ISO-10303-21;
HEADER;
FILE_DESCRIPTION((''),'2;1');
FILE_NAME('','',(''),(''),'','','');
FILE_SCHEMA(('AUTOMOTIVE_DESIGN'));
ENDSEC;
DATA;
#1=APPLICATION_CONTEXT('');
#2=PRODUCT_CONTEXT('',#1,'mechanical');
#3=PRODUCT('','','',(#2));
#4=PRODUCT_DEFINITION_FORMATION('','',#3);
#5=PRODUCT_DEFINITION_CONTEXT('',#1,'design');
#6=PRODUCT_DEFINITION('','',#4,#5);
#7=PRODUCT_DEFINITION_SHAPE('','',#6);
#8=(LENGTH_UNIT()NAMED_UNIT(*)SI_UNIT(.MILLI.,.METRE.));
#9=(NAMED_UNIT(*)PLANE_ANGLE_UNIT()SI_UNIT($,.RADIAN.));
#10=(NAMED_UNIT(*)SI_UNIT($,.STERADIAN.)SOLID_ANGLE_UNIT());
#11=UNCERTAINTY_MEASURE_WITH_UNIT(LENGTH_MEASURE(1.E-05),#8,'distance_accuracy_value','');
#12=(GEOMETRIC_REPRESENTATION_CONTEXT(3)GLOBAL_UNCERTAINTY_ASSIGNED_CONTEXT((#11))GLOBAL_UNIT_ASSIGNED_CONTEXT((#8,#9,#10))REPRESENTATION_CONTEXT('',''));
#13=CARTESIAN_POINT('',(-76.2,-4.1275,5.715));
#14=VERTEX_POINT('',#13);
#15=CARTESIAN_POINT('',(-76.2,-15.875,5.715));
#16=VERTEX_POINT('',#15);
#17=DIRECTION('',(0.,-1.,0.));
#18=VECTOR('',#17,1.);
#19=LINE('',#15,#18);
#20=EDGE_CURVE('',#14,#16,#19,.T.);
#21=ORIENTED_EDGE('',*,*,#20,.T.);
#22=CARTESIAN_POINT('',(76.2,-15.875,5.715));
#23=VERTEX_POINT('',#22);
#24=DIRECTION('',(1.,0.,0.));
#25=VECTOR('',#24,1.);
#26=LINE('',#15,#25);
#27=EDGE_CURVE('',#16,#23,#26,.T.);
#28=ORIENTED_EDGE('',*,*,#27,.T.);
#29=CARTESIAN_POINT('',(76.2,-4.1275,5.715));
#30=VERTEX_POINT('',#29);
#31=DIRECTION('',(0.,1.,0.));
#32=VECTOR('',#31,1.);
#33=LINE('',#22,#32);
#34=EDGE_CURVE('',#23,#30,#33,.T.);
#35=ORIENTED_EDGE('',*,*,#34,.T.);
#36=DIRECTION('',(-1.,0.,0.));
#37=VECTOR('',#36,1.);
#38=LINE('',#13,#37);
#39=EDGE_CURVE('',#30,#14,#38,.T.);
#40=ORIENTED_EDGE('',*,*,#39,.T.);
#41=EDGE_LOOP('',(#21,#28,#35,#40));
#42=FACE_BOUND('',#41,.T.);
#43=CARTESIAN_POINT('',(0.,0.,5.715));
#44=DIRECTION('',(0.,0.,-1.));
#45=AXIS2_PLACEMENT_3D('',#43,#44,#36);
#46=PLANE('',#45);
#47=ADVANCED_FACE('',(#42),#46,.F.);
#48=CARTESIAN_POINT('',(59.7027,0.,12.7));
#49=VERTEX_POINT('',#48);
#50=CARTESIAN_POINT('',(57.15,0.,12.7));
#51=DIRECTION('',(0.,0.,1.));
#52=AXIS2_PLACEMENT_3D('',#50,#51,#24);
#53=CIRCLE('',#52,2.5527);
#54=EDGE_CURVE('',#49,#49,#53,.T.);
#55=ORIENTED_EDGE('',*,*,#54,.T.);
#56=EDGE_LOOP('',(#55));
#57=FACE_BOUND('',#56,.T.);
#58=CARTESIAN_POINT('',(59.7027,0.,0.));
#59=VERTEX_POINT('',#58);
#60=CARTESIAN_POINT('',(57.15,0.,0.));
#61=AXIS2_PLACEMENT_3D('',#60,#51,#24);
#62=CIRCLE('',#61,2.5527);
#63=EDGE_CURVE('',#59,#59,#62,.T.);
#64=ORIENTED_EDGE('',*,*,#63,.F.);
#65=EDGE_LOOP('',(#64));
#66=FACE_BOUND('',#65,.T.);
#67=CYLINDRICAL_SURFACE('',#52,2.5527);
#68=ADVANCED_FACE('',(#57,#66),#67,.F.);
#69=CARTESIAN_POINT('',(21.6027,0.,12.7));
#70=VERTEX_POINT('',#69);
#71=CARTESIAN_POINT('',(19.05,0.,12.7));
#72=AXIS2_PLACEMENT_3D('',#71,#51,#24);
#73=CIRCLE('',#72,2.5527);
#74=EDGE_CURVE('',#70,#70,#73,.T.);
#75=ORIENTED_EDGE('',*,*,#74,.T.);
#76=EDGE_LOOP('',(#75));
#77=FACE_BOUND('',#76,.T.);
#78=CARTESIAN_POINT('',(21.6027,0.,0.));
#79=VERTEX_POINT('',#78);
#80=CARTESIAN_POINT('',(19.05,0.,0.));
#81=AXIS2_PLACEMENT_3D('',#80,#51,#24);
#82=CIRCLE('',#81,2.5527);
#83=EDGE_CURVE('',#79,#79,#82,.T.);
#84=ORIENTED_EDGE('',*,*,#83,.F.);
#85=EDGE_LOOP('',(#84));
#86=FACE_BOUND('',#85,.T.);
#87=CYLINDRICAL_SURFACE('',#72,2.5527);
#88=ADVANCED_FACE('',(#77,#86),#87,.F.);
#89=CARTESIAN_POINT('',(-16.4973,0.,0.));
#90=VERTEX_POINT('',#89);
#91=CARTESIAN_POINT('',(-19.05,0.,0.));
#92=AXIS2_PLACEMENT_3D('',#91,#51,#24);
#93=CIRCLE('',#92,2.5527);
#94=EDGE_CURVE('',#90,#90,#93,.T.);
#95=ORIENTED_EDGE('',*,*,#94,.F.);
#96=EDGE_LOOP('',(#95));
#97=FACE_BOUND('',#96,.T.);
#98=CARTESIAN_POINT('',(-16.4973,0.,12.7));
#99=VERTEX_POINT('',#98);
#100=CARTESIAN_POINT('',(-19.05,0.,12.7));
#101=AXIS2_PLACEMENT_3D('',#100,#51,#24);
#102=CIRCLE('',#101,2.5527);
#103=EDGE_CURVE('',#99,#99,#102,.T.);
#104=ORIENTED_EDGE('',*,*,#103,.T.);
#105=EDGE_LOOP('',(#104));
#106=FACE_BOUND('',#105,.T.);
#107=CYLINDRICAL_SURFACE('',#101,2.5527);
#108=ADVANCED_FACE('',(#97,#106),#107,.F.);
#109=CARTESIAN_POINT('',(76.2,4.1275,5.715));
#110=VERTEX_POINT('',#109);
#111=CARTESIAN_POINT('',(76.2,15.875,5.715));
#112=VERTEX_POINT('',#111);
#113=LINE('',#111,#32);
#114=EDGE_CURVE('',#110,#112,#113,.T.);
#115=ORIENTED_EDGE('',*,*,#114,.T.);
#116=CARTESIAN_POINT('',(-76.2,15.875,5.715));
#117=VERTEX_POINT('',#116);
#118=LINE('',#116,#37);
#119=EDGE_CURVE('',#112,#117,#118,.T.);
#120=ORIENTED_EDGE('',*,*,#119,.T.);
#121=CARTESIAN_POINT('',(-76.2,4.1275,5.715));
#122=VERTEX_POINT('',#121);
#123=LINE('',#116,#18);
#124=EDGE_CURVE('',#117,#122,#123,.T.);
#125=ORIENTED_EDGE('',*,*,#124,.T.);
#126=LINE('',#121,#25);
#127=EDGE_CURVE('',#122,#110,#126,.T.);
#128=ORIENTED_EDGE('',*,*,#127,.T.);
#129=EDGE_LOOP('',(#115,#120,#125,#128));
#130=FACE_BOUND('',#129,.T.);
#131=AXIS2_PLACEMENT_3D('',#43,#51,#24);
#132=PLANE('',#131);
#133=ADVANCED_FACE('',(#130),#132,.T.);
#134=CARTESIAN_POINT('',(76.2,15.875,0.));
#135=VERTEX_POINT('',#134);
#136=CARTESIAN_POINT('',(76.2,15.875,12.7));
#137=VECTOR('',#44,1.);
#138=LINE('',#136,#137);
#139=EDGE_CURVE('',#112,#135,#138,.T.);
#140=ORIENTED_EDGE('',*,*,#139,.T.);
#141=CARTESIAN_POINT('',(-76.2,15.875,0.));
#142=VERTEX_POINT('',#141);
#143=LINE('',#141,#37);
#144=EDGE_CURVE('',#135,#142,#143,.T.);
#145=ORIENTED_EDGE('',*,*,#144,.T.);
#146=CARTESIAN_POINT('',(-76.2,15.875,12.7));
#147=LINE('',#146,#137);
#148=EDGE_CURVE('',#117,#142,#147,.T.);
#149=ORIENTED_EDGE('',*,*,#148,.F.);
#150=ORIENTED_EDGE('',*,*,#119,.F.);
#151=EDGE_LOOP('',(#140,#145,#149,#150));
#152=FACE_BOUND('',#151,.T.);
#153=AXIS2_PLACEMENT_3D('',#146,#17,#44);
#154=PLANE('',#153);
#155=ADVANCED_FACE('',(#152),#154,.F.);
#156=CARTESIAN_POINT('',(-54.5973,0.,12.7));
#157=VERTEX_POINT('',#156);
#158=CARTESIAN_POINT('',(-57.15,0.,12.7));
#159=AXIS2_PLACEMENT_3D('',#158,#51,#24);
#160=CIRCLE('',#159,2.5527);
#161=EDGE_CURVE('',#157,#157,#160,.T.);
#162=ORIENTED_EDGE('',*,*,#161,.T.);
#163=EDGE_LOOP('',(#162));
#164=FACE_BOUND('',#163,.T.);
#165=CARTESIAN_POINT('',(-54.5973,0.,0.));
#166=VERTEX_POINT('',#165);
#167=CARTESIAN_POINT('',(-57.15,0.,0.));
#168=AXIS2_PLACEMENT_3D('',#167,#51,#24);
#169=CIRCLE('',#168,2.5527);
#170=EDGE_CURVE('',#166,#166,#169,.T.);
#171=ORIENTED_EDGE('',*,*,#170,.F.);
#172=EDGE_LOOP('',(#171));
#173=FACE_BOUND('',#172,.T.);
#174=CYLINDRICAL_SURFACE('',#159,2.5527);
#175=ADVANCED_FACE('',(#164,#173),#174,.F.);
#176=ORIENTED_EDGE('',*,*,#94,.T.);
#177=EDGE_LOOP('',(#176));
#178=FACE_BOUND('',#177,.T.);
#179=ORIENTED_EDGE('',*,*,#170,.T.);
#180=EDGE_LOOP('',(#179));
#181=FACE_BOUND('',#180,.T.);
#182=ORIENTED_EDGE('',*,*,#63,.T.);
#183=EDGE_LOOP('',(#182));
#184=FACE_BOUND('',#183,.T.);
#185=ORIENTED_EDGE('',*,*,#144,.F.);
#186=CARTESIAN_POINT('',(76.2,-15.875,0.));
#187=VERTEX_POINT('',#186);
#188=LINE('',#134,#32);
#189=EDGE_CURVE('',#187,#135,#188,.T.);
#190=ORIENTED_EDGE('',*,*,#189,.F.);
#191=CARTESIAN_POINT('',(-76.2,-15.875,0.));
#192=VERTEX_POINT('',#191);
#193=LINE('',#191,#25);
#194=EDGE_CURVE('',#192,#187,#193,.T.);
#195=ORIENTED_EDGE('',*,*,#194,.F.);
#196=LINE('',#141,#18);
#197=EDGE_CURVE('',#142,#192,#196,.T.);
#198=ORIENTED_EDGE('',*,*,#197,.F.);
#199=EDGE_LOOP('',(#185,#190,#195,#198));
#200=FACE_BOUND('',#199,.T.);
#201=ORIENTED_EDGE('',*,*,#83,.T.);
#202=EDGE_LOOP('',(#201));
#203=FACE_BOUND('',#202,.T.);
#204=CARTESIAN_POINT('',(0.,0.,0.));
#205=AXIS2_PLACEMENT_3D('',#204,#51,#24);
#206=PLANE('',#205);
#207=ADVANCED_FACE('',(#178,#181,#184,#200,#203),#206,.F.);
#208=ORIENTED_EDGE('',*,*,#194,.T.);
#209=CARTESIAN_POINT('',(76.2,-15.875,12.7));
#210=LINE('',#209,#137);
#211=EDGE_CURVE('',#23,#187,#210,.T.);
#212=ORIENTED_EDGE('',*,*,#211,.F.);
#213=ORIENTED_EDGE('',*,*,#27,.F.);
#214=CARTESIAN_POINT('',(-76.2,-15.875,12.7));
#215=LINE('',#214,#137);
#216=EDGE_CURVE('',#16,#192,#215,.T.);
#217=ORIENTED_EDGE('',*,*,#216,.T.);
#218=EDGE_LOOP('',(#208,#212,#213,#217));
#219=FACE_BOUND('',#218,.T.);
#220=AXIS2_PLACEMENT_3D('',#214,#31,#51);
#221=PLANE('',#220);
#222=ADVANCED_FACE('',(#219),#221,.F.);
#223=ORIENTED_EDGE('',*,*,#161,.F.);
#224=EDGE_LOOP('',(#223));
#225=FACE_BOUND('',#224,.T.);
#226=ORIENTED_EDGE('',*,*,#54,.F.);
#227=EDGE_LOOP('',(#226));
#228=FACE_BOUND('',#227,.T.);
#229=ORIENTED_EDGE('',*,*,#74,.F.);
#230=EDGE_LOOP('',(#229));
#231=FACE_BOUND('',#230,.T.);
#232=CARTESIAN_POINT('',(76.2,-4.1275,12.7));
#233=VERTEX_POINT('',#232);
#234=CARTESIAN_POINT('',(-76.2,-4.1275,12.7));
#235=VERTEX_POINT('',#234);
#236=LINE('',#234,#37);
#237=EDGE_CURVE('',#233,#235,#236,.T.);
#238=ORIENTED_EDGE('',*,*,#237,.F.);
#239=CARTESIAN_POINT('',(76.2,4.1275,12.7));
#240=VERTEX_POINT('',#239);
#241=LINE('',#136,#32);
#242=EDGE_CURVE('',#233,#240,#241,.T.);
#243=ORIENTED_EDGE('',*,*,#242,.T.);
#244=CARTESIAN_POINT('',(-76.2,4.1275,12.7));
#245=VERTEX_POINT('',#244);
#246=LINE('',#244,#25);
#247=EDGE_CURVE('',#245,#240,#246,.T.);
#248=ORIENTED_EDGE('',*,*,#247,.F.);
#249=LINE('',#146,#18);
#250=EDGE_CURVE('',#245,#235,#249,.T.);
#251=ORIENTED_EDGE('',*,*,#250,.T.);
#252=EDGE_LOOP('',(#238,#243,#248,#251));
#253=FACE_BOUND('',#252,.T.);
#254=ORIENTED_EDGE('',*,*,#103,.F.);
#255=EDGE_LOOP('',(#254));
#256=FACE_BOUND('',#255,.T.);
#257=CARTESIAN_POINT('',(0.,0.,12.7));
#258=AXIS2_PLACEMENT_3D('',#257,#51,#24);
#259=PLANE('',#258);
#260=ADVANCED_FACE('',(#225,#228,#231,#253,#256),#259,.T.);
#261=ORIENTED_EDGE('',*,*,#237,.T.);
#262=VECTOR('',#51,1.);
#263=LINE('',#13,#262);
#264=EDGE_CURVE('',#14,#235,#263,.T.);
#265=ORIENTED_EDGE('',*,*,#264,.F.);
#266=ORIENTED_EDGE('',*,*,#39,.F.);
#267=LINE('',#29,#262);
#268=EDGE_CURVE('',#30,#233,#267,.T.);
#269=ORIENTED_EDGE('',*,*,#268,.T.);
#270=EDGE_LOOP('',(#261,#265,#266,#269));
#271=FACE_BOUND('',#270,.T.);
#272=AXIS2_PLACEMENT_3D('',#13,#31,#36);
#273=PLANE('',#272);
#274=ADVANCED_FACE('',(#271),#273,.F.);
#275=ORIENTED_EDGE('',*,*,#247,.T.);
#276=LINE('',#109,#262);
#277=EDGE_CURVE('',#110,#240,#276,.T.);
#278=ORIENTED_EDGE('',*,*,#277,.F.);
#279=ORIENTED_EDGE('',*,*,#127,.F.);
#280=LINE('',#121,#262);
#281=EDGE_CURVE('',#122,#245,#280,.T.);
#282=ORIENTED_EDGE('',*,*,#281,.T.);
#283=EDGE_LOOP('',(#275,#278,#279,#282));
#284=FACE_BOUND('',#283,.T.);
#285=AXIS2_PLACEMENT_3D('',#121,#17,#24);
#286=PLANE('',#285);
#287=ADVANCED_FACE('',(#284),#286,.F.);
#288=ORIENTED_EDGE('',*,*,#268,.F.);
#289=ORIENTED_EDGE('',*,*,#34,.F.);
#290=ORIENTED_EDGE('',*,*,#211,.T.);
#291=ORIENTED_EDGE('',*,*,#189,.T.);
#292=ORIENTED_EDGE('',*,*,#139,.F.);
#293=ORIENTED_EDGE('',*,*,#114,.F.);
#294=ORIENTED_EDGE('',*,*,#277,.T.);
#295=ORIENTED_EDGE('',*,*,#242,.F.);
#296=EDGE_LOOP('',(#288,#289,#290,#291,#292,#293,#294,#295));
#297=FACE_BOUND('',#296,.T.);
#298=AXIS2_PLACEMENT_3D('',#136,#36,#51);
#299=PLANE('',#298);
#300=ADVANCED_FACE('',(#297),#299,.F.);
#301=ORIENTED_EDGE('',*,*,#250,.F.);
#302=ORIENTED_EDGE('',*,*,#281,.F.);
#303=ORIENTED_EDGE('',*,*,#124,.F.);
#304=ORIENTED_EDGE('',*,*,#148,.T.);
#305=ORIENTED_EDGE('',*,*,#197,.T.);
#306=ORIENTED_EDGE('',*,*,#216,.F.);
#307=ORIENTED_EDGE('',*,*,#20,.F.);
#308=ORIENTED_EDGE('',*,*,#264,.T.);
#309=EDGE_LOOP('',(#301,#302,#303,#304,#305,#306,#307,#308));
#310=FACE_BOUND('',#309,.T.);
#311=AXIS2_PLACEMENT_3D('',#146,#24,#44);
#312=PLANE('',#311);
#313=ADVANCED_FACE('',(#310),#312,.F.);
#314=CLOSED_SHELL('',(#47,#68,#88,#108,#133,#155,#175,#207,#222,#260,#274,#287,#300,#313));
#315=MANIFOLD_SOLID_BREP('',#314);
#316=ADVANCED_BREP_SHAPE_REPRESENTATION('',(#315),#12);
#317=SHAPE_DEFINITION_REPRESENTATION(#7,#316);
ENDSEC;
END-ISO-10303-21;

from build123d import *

# Parameters (mm, degrees)
SKETCH1_W                   = 152.4
SKETCH1_H                   = 31.75
BOSS_EXTRUDE1_DEPTH         = 12.7
SKETCH2_W                   = 152.4
SKETCH2_H                   = 11.7475
CUT_EXTRUDE1_DEPTH          = 6.985
F_1_4_20_TAPPED_HOLE1_D     = 5.1054
F_1_4_20_TAPPED_HOLE1_DEPTH = 12.7


with BuildPart() as part:
    # Sketch1 → Boss-Extrude1 (new body)
    with BuildSketch(Plane.XY):
        Rectangle(SKETCH1_W, SKETCH1_H)
    extrude(amount=BOSS_EXTRUDE1_DEPTH)

    # Sketch2 → Cut-Extrude1 (cut)
    with BuildSketch(Plane.XY.offset(12.7)):
        with Locations((0, 10.00125)):
            Rectangle(SKETCH2_W, SKETCH2_H)
        with Locations((0, -10.00125)):
            Rectangle(SKETCH2_W, SKETCH2_H)
    extrude(amount=-CUT_EXTRUDE1_DEPTH, mode=Mode.SUBTRACT)

    # 1/4-20 Tapped Hole1
    with Locations(Plane.XY.offset(12.7)):
        with Locations((-57.15, 0), (-19.05, 0), (19.05, 0), (57.15, 0)):
            Hole(F_1_4_20_TAPPED_HOLE1_D / 2, depth=F_1_4_20_TAPPED_HOLE1_DEPTH)


solid = part.part
